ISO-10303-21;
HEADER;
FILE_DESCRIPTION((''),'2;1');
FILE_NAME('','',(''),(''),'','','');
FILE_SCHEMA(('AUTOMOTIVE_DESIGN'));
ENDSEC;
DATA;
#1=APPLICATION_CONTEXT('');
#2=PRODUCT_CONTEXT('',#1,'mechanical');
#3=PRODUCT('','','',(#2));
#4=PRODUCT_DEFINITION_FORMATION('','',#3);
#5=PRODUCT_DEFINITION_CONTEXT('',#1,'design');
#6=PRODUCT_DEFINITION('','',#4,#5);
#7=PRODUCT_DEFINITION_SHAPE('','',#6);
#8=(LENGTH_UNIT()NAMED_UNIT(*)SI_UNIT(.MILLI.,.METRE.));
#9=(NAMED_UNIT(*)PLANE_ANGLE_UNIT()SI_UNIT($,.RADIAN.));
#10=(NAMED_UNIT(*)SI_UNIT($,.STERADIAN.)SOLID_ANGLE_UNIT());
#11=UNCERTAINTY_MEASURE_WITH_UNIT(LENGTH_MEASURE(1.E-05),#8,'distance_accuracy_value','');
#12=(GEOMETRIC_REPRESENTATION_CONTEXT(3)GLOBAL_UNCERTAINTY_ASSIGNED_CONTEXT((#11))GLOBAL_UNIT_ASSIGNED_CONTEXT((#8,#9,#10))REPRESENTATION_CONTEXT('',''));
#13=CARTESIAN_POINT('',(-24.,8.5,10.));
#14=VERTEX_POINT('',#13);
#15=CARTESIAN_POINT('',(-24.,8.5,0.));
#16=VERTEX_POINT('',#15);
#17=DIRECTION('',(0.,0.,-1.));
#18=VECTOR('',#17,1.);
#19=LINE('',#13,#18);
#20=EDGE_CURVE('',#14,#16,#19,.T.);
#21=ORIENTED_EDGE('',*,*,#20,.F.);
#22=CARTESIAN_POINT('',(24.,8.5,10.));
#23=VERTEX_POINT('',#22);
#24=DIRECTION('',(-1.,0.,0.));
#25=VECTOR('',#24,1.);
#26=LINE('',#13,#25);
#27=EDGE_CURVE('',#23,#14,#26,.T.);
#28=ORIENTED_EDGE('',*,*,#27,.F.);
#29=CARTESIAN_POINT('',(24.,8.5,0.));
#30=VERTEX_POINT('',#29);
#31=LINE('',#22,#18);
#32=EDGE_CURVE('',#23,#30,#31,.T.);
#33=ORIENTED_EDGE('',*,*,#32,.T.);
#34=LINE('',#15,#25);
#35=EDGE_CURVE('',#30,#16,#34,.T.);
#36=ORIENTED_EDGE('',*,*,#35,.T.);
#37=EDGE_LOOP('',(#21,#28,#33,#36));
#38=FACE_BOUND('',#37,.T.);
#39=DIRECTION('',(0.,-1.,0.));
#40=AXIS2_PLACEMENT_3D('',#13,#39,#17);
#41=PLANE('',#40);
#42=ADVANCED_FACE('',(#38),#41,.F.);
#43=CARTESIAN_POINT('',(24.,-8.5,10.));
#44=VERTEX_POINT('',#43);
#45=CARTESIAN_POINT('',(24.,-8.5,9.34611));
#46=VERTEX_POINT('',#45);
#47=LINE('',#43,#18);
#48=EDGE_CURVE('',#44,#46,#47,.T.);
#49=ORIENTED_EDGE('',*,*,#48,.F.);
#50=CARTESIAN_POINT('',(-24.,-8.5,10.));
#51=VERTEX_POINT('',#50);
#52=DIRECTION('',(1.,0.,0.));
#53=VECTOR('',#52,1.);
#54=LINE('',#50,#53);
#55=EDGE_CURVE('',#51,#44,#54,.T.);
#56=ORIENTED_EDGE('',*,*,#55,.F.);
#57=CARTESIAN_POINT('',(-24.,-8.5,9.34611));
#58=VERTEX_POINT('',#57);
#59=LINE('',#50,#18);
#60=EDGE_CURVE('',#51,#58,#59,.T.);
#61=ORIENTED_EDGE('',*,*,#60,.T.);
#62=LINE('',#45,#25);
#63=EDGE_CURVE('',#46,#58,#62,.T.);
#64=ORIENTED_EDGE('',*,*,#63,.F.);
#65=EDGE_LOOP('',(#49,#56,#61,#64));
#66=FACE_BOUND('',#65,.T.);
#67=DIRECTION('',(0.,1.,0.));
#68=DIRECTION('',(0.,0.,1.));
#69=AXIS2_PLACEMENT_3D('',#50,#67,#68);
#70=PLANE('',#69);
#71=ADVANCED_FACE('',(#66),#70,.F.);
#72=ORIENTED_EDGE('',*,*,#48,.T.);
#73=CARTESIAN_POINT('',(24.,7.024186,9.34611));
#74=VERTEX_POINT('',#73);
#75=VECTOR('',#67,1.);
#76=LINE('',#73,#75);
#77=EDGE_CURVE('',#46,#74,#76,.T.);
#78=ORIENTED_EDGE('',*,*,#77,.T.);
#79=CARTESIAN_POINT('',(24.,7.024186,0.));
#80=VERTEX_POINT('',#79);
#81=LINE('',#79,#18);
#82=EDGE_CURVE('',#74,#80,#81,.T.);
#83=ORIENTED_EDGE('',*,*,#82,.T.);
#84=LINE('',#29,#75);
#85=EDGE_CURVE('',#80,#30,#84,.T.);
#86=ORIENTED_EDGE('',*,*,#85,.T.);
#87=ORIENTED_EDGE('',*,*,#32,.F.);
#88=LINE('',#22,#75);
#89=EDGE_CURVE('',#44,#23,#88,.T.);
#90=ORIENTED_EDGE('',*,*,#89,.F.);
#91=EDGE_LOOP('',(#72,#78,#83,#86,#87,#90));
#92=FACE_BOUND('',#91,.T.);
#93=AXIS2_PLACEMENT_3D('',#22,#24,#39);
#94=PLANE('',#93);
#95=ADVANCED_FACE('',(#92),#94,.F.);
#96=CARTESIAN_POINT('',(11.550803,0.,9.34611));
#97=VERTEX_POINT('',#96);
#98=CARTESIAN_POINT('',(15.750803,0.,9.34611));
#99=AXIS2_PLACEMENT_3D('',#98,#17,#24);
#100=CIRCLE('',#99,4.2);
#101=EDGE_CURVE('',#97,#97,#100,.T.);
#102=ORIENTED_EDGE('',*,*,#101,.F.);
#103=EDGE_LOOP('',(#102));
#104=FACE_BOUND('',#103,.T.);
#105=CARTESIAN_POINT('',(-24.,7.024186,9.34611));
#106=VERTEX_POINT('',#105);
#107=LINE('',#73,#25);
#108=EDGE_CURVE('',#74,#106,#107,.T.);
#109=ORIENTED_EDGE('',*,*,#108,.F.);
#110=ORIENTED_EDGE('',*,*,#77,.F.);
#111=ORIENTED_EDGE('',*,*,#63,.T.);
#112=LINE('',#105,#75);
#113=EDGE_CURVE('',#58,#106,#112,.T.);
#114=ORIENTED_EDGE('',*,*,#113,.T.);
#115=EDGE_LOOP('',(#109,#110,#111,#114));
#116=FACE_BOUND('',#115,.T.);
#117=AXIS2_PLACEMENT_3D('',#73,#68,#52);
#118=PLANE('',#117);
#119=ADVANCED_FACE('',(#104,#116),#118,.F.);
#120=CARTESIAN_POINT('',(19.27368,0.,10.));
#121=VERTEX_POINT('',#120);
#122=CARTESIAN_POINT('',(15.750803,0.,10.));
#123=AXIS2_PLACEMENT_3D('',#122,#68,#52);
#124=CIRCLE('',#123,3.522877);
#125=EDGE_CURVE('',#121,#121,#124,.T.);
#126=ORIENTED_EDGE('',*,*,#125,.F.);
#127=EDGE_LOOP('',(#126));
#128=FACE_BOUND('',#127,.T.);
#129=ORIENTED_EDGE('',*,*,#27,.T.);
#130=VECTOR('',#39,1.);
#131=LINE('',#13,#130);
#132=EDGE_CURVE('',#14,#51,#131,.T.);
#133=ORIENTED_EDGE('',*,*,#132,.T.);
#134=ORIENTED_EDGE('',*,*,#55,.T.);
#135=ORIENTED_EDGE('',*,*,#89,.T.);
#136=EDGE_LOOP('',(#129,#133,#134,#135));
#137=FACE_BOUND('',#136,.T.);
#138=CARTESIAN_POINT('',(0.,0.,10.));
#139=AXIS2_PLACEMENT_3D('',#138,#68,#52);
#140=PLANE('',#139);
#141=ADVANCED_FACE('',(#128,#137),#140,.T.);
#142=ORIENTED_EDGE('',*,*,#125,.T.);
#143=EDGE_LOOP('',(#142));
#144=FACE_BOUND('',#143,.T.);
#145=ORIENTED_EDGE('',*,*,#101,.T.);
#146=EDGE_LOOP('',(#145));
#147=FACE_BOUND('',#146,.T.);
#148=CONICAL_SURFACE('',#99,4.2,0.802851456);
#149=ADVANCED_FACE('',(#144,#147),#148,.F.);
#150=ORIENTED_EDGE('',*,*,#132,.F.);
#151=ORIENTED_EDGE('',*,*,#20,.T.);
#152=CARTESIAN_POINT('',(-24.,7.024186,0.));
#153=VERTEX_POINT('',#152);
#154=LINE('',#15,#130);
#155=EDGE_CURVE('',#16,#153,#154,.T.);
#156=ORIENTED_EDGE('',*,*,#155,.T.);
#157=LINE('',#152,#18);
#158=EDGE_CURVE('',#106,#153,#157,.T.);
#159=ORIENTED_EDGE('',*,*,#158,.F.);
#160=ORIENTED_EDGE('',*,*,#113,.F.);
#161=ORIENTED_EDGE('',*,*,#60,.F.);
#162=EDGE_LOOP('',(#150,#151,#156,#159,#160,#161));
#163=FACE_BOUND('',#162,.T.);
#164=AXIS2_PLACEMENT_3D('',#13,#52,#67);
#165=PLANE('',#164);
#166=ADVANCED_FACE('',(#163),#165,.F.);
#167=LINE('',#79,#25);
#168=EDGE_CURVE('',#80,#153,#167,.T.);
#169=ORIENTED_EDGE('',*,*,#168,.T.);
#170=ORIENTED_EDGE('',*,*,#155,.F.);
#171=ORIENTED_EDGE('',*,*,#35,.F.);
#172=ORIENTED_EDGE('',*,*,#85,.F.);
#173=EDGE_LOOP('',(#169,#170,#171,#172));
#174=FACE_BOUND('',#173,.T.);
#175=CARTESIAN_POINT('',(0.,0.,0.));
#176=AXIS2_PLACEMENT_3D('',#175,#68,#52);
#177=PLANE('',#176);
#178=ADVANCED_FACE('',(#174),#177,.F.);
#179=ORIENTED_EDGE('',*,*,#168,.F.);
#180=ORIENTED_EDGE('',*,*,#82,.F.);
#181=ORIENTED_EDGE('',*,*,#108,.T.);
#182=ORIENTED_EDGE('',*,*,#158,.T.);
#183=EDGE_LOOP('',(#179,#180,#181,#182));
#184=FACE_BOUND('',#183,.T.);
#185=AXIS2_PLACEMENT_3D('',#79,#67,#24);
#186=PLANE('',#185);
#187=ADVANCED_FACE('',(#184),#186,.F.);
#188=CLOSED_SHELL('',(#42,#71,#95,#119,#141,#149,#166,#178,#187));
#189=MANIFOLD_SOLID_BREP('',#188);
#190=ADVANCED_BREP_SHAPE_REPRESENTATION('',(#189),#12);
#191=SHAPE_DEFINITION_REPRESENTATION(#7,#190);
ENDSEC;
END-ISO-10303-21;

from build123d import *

# Parameters (mm, degrees)
CROQUIS1_W              = 48
CROQUIS1_H              = 17
SALIENTE_EXTRUIR1_DEPTH = 10
CROQUIS7_W              = 9.346110156
CROQUIS7_H              = 15.524186193
CORTAR_EXTRUIR1_DEPTH   = 49


with BuildPart() as part:
    # Croquis1 → Saliente-Extruir1 (new body)
    with BuildSketch(Plane.XY):
        Rectangle(CROQUIS1_W, CROQUIS1_H)
    extrude(amount=SALIENTE_EXTRUIR1_DEPTH)

    # Croquis7 → Cortar-Extruir1 (cut, through all)
    with BuildSketch(Plane.ZY.offset(24)):
        with Locations((4.673055078, -0.737906903)):
            Rectangle(CROQUIS7_W, CROQUIS7_H)
    extrude(amount=-CORTAR_EXTRUIR1_DEPTH, mode=Mode.SUBTRACT)

    # Croquis12 → Taladro de margen para M3.53 (revolve, cut)
    with BuildSketch(Plane(origin=(15.750802653, 0, 9.346110156), x_dir=(0, 1, 0), z_dir=(1, 0, 0))):
        Polygon((0, 0), (0, 0.653889844), (1.95, 0.653889844), (1.95, 2.172799743), (4.2, 0), align=None)
    revolve(axis=Axis((15.750802653, 0, 2.996110156), (0, 0, 1)), mode=Mode.SUBTRACT)


solid = part.part
